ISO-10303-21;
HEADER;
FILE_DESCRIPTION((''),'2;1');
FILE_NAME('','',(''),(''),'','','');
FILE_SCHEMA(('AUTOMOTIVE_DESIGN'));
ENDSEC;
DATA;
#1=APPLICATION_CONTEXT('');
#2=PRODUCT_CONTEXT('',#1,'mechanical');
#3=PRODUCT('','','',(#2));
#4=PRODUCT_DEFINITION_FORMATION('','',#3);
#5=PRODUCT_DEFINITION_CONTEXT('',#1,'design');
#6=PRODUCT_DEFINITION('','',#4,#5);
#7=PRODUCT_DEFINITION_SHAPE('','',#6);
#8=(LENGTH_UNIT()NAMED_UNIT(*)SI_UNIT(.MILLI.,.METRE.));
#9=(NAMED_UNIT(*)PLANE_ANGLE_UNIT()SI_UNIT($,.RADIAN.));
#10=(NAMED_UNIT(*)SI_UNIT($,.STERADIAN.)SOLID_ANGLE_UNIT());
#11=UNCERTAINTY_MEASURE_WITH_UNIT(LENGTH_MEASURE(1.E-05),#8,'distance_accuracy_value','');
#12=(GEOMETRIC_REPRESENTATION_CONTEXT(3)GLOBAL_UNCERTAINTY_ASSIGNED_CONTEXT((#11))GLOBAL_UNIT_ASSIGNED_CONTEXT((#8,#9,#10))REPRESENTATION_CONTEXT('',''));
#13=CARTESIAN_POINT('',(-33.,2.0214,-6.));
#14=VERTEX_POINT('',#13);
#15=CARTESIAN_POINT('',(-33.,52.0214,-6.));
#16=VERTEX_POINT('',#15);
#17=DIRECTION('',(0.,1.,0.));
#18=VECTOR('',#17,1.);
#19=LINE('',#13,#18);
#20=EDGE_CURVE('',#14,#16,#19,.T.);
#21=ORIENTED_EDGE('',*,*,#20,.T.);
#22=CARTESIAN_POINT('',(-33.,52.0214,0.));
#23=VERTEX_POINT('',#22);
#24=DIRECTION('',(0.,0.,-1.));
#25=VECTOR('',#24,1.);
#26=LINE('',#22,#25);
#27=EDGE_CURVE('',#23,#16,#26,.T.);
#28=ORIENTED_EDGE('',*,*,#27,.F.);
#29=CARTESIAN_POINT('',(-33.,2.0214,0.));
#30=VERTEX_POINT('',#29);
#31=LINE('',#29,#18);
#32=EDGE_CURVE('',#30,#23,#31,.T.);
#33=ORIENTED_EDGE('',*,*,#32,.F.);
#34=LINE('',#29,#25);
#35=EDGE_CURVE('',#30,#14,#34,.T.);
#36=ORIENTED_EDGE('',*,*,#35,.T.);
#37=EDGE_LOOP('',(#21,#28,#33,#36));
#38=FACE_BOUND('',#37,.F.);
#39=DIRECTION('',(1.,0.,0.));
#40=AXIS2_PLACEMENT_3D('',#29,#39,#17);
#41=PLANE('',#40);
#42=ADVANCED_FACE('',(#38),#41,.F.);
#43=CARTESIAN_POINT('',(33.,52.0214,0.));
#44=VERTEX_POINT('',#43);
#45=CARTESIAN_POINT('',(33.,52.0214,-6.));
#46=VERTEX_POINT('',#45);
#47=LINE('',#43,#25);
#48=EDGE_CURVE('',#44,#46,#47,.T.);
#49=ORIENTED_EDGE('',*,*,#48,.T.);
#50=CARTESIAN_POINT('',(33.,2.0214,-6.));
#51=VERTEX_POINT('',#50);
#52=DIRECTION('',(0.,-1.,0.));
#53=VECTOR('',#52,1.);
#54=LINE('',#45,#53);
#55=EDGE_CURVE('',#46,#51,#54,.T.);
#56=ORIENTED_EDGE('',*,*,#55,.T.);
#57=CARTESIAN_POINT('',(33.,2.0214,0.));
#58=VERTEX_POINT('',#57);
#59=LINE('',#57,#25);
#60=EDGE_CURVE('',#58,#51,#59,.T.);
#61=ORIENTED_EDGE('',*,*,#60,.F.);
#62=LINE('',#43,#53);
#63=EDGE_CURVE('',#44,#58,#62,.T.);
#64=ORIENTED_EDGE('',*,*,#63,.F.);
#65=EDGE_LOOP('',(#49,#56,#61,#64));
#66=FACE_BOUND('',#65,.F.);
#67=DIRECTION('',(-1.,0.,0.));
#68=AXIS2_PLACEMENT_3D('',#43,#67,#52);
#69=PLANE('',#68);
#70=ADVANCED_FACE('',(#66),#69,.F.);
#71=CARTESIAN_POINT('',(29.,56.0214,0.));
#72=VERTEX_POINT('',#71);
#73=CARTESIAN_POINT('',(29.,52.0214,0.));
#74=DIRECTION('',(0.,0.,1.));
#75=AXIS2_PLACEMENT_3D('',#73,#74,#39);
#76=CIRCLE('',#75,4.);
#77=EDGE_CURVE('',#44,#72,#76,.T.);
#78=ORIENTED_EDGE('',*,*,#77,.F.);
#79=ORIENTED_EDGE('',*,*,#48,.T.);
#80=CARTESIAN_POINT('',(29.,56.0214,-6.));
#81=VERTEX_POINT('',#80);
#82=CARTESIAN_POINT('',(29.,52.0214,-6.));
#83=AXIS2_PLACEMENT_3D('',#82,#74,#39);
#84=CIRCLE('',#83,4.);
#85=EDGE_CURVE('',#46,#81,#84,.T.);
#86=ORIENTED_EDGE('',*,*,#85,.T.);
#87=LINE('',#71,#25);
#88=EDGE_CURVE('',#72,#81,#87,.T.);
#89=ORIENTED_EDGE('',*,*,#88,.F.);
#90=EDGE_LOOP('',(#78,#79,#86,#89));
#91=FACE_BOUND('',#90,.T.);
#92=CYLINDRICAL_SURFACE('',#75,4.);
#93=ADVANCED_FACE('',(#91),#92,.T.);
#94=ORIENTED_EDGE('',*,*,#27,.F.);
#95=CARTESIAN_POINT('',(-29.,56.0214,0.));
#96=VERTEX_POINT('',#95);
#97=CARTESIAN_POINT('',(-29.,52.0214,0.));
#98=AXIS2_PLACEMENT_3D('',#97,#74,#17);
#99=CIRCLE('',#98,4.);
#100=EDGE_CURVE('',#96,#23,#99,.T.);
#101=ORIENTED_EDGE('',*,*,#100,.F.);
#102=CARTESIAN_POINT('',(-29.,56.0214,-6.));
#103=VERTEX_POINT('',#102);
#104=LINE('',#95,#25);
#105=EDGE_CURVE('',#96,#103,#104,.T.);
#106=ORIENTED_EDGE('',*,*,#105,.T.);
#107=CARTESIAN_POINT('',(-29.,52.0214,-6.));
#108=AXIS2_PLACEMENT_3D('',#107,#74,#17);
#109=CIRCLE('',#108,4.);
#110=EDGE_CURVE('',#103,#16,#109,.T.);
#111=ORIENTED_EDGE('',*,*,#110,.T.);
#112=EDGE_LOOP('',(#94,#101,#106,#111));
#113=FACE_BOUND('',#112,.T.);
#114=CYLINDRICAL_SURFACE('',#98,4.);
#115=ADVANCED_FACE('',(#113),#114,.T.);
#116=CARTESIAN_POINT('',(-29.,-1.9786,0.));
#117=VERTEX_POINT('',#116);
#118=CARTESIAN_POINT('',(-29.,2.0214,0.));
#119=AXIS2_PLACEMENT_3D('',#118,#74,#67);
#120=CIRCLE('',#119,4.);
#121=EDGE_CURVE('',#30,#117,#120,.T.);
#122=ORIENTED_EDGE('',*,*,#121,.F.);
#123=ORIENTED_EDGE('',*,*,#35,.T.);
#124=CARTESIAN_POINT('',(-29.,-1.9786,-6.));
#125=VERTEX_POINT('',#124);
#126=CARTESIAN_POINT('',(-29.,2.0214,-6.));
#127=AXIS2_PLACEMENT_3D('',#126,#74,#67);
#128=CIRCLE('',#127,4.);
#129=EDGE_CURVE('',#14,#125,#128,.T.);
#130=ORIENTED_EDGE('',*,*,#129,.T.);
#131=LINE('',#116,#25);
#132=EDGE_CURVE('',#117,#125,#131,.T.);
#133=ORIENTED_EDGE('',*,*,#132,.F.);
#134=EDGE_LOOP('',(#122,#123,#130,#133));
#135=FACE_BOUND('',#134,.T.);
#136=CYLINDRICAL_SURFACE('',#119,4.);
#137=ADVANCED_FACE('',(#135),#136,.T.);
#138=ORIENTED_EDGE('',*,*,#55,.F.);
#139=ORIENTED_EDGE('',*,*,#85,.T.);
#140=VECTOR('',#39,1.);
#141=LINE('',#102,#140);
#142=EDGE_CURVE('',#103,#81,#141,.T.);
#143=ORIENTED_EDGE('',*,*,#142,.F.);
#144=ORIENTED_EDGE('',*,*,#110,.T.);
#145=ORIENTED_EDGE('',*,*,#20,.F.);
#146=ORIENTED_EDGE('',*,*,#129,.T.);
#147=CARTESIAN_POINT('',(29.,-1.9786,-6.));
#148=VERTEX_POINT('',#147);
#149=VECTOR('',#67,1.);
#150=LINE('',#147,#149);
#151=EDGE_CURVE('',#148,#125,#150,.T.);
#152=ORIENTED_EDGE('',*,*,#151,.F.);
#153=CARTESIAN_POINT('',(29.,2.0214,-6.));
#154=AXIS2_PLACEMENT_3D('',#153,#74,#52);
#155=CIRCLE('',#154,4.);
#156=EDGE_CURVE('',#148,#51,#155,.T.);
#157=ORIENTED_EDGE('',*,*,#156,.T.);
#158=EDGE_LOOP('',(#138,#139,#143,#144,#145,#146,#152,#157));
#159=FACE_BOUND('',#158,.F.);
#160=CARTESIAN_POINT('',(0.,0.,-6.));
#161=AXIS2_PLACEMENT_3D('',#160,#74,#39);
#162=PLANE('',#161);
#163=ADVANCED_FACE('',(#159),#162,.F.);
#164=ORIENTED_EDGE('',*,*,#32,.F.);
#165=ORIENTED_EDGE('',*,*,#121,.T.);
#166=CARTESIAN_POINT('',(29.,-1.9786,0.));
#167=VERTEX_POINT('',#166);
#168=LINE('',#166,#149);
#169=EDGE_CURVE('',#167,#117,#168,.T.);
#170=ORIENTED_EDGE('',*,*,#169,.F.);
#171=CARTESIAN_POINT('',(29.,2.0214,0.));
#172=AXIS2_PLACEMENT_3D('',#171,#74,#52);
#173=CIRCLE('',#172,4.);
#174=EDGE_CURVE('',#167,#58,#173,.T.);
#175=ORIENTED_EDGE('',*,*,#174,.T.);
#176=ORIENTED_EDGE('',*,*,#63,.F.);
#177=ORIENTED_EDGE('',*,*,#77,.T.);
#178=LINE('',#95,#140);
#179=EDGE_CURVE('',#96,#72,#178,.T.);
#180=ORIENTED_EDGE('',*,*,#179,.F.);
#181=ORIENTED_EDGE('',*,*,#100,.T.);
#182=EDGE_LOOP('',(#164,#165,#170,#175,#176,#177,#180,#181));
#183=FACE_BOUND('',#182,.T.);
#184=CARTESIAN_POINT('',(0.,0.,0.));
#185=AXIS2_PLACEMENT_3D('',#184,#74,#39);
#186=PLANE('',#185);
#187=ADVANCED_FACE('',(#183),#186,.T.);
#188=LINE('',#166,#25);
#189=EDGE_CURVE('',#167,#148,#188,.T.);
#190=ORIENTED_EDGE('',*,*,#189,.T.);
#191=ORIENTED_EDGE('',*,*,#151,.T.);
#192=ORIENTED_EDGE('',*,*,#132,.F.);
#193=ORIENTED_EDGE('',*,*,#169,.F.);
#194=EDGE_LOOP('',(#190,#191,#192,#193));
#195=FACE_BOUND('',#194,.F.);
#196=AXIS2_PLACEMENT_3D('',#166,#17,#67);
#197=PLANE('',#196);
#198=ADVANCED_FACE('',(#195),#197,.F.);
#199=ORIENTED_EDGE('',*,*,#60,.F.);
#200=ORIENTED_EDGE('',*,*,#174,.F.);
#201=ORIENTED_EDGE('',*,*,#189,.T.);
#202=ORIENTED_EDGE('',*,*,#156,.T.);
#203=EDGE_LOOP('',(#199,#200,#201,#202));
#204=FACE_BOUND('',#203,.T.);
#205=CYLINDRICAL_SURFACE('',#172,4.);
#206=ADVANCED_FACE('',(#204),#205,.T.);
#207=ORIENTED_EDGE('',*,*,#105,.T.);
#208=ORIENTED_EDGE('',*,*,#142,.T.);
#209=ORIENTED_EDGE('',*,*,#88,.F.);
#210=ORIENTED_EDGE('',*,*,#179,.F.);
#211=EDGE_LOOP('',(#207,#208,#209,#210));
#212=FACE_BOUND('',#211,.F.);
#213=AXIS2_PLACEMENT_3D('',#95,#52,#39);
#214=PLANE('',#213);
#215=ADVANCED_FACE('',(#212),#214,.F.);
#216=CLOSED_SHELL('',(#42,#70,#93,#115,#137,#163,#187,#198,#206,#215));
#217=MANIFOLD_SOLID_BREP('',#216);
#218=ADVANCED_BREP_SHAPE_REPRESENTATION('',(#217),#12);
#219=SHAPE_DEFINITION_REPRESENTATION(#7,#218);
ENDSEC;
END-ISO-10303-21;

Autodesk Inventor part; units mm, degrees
ref_plane "YZ Plane" through (0, 0, 0) normal (1, 0, 0) x (0, 1, 0)
ref_plane "XZ Plane" through (0, 0, 0) normal (0, 1, 0) x (-1, 0, 0)
sketch "Sketch1" plane through (0, 0, 0) normal (0, 0, 1) x (1, 0, 0)
  line L0 (29, -1.9786) -> (-29, -1.9786) projected
  arc A0 (29, -1.9786) -> (33, 2.0214) centre (29, 2.0214) ccw projected
  line L1 (33, 52.0214) -> (33, 2.0214) projected
  arc A1 (33, 52.0214) -> (29, 56.0214) centre (29, 52.0214) ccw projected
  line L2 (-29, 56.0214) -> (29, 56.0214) projected
  arc A2 (-29, 56.0214) -> (-33, 52.0214) centre (-29, 52.0214) ccw projected
  line L3 (-33, 2.0214) -> (-33, 52.0214) projected
  arc A3 (-33, 2.0214) -> (-29, -1.9786) centre (-29, 2.0214) ccw projected
  point P0 (0, 0)
ref_plane "Work Plane1" through (-87, -150, -3) normal (0, 0, -1) x (0, 1, 0)
extrude "Extrusion1" add sketch "Sketch1" against normal blind 6
properties part number "Ventana" material "Glass"
